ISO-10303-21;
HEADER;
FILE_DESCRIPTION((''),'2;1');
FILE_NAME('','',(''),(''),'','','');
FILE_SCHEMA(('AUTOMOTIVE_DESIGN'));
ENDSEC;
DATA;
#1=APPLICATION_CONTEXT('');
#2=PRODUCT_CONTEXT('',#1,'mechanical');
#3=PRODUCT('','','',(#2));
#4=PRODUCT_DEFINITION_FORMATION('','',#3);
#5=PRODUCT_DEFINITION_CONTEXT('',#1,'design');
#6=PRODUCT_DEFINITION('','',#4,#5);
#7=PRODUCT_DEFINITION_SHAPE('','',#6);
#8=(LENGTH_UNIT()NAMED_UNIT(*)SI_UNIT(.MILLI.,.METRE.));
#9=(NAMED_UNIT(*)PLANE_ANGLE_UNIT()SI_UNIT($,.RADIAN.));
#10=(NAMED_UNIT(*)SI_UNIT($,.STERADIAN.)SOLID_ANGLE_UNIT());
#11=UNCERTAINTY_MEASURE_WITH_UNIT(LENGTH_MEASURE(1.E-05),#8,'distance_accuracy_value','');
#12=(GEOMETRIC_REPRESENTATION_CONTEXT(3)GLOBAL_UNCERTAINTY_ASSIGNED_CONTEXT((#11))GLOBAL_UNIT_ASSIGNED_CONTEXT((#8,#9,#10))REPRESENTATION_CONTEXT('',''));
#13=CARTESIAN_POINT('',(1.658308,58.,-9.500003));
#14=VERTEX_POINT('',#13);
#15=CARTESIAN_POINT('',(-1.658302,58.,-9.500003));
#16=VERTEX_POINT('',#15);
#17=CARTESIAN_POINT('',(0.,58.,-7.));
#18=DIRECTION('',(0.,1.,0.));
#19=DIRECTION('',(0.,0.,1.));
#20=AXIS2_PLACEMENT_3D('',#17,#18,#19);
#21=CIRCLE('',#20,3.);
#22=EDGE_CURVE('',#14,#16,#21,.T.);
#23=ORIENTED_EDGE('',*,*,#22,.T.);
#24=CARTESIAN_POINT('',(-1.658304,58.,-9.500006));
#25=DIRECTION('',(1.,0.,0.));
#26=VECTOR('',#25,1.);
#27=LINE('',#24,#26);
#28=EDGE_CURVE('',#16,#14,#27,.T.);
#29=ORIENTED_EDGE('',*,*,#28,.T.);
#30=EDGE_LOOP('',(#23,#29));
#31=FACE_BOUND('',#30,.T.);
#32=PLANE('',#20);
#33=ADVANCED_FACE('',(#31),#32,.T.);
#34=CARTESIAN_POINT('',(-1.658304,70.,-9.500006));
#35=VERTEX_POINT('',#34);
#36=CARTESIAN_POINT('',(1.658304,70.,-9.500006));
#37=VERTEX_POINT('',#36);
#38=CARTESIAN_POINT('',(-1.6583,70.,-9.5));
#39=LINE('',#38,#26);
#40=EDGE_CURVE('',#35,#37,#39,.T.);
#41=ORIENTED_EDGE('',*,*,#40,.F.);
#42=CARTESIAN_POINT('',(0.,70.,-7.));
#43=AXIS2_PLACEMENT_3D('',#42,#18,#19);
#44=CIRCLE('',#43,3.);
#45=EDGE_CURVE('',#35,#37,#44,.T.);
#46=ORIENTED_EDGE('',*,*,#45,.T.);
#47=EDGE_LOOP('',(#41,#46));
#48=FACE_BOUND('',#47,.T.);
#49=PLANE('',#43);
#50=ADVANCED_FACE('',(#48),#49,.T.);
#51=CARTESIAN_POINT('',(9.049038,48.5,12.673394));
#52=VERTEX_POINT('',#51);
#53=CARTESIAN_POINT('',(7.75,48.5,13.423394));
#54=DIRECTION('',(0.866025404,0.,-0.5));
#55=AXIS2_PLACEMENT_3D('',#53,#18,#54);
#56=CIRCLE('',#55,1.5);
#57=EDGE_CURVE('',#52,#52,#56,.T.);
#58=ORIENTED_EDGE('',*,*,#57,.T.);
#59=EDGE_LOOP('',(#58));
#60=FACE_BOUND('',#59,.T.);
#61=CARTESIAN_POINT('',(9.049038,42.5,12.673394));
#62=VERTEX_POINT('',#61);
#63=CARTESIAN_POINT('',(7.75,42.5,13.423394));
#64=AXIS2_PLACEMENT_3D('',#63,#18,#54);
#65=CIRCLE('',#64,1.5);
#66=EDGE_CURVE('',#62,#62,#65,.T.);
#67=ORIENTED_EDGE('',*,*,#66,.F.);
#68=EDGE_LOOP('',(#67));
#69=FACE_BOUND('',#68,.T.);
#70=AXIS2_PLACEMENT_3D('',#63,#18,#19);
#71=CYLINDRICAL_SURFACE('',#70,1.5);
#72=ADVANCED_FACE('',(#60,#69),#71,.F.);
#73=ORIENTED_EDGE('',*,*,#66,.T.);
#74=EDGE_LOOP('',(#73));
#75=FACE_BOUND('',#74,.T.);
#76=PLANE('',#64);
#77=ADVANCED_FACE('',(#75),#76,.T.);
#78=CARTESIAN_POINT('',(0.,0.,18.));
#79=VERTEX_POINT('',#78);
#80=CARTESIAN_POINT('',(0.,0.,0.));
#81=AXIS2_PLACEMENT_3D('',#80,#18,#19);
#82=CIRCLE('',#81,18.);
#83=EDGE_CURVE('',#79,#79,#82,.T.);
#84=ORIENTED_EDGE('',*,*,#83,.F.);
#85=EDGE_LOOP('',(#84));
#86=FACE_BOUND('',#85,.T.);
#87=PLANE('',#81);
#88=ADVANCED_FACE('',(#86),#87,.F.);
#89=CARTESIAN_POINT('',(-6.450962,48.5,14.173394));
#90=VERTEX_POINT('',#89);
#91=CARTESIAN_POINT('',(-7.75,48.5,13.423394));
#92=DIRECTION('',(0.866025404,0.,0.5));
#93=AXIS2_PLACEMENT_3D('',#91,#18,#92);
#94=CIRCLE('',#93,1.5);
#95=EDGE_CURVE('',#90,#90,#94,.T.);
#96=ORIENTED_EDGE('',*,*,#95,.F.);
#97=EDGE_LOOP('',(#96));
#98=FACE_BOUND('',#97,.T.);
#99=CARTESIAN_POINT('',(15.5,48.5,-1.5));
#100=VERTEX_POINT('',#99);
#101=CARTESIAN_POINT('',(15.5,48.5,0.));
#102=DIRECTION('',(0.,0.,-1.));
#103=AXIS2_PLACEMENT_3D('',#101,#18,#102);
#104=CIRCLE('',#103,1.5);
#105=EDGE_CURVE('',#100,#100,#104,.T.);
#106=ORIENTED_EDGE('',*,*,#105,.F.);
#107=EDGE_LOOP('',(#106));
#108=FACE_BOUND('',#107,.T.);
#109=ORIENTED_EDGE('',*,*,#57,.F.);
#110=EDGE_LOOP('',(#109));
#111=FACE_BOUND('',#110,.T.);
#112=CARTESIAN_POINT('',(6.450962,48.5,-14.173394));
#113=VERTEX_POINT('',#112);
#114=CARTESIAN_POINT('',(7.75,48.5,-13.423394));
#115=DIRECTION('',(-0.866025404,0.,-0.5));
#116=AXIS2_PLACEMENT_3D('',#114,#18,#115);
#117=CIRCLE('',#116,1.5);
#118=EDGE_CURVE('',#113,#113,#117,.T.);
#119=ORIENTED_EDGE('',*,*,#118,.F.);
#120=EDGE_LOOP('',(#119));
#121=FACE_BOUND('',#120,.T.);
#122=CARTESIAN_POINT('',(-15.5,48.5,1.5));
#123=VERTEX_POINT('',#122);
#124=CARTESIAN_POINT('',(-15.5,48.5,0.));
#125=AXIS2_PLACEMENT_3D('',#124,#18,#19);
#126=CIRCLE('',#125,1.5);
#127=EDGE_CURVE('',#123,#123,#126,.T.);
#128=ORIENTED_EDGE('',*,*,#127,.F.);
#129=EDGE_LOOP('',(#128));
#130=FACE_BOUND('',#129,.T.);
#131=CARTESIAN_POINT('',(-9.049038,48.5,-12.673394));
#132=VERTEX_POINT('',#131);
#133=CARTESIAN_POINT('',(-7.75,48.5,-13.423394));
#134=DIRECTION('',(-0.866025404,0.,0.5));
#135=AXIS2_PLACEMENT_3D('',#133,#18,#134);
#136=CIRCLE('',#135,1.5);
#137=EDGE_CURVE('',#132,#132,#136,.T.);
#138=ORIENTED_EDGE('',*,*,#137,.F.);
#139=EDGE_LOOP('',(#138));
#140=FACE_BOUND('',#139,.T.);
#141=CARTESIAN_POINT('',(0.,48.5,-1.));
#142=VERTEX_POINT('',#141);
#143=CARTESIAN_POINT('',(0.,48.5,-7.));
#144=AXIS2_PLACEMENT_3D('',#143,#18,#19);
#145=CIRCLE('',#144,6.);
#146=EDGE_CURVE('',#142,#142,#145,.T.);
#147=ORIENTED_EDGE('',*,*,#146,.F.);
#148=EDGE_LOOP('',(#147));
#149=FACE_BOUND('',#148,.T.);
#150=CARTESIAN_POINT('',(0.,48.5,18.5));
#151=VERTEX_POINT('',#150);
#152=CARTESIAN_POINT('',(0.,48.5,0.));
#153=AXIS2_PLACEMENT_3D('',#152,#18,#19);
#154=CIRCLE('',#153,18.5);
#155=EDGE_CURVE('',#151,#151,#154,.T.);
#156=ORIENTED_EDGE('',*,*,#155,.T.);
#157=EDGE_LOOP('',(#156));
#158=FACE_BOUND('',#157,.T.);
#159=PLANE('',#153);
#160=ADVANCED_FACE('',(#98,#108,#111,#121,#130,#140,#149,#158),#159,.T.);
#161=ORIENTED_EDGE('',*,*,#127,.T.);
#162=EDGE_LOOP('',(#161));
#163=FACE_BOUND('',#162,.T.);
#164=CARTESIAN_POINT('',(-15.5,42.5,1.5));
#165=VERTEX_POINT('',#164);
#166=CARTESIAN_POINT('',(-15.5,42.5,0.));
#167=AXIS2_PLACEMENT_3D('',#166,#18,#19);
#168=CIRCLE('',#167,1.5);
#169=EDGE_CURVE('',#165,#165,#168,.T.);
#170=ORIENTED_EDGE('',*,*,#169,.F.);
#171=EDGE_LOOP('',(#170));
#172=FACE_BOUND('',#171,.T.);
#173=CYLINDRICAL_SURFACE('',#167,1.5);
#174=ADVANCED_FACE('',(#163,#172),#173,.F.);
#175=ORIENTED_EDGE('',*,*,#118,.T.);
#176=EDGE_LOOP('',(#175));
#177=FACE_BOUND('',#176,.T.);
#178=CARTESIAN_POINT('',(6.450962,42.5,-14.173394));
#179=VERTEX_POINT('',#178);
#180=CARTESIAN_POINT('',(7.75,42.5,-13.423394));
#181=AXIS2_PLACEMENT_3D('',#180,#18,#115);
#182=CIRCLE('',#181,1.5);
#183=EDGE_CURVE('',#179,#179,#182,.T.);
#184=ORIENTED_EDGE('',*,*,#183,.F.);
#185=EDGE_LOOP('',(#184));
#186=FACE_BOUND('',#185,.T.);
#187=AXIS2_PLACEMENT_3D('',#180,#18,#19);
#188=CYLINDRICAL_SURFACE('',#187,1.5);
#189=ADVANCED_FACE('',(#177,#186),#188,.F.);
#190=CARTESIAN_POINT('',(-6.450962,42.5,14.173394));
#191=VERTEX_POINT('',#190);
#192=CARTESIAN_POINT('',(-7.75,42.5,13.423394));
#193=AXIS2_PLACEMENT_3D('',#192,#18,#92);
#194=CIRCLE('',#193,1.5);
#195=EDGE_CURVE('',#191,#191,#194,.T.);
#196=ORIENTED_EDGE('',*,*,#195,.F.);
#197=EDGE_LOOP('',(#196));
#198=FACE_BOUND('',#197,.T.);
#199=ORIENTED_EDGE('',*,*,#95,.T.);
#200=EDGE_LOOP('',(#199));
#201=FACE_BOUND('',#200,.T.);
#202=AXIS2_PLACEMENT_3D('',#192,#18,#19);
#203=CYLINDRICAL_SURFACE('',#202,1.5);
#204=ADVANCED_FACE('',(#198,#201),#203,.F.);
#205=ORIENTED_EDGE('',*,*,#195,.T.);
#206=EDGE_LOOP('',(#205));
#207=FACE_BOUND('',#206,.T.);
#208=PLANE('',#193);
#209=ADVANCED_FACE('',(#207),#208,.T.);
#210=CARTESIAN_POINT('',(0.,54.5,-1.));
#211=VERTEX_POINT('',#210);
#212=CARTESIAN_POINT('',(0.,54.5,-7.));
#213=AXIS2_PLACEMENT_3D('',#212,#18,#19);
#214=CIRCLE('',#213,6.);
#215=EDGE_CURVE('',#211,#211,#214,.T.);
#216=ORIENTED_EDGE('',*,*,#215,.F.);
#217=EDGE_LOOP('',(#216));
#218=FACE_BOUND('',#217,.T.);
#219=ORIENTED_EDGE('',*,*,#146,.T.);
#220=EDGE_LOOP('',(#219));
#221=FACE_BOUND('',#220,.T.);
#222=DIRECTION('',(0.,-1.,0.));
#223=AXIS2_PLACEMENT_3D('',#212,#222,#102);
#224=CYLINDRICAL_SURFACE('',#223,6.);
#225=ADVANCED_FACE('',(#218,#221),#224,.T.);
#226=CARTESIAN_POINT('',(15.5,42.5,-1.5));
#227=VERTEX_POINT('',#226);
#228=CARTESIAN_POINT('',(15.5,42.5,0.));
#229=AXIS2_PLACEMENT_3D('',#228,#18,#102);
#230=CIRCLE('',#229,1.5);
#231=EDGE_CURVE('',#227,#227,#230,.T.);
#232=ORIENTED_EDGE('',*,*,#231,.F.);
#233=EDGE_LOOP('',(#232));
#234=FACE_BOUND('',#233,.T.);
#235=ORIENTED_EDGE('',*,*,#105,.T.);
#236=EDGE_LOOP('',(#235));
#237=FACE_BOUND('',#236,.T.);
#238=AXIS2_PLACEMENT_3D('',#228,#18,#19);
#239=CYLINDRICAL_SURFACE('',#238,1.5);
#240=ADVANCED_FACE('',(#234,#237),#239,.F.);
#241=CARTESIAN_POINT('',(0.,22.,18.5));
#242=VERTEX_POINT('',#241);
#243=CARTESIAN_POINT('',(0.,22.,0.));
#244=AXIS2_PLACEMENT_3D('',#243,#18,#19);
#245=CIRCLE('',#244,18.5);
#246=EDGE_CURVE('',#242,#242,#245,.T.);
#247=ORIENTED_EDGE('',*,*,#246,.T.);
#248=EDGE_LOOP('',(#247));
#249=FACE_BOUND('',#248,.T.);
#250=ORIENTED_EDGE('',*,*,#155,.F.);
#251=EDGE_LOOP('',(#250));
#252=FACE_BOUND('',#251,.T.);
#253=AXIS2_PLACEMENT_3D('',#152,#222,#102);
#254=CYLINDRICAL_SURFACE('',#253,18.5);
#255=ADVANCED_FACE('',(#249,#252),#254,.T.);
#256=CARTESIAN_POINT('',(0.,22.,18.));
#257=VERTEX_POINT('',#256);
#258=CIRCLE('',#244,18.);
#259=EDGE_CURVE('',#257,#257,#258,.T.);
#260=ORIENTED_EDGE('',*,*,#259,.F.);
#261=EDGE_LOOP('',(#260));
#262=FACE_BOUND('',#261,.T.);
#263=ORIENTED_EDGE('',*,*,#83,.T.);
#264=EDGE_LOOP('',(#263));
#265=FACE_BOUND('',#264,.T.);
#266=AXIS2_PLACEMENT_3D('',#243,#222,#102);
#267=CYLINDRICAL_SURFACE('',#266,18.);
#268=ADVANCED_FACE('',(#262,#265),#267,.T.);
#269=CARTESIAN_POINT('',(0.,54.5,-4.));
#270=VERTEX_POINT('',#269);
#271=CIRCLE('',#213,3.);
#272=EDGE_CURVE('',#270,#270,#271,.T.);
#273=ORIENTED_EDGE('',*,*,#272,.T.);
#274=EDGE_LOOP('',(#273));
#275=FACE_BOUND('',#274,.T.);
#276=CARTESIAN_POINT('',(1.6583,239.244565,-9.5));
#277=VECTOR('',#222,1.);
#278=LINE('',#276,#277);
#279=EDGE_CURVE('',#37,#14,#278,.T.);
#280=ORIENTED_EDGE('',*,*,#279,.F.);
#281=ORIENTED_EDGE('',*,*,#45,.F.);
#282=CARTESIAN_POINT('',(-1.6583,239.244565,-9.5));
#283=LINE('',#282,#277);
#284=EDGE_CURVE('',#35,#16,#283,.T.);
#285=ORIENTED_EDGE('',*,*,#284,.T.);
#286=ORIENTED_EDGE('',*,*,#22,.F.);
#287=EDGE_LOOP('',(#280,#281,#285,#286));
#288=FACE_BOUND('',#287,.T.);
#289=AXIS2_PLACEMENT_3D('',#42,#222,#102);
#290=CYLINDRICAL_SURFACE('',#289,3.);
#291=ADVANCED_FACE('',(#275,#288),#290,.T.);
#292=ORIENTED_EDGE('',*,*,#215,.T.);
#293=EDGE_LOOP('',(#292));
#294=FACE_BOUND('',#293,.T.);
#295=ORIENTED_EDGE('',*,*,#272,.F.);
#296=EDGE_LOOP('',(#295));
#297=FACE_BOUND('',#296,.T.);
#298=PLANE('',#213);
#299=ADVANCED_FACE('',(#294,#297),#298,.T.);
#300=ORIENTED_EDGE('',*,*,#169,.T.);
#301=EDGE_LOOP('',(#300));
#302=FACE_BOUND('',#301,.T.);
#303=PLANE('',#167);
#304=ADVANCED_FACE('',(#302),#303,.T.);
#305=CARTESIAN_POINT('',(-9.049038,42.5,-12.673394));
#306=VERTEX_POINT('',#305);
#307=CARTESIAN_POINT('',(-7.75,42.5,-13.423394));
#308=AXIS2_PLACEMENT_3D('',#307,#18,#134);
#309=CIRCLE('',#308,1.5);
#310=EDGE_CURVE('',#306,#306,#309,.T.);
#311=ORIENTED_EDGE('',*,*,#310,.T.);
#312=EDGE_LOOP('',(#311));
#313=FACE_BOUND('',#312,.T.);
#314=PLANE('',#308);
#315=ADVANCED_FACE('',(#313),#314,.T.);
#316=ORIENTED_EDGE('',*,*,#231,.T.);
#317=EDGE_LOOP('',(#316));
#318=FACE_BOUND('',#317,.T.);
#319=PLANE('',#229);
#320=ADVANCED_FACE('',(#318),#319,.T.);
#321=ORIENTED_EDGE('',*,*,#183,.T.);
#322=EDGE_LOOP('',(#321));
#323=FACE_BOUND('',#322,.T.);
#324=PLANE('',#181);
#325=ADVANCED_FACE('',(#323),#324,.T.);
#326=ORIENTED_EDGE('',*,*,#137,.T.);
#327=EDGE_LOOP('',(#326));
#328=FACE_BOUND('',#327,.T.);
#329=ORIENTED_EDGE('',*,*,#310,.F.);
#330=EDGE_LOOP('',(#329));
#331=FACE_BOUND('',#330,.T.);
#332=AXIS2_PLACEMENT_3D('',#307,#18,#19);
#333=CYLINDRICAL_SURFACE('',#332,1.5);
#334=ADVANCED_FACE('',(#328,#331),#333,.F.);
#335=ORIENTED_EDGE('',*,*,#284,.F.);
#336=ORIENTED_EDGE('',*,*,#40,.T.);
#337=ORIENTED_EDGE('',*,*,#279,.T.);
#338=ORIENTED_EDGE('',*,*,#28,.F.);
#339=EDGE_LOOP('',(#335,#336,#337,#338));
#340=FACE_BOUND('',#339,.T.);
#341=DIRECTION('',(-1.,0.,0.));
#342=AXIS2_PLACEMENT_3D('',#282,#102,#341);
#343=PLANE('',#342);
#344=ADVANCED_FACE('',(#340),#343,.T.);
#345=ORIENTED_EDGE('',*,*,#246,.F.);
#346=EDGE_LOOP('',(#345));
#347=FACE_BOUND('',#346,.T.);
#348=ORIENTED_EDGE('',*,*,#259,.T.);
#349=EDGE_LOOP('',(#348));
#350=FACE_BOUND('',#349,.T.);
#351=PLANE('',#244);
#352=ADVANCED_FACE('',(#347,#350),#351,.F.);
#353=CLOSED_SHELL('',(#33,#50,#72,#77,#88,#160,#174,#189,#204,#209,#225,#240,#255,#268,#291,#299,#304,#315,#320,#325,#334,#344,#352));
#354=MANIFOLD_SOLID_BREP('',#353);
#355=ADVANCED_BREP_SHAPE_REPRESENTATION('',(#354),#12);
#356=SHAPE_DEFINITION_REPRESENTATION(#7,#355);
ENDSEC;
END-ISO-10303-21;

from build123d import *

# Parameters (mm, degrees)
SKETCH2_R               = 18
BOSS_EXTRUDE1_DEPTH     = 22
SKETCH3_R               = 18.5
BOSS_EXTRUDE2_DEPTH     = 26.5
SKETCH4_R               = 1.5
CUT_EXTRUDE1_DEPTH      = 6
CIRPATTERN1_COUNT       = 6
SKETCH5_R               = 6
BOSS_EXTRUDE3_DEPTH     = 6
SKETCH6_R               = 3
BOSS_EXTRUDE4_DEPTH     = 15.5
CUT_EXTRUDE2_DEPTH      = 1
CUT_EXTRUDE2_DEPTH_BACK = 12


with BuildPart() as part:
    # Sketch2 → Boss-Extrude1 (new body)
    with BuildSketch(Plane(origin=(0, 0, 0), x_dir=(1, 0, 0), z_dir=(0, 1, 0))):
        Circle(SKETCH2_R)
    extrude(amount=BOSS_EXTRUDE1_DEPTH)

    # Sketch3 → Boss-Extrude2 (add)
    with BuildSketch(Plane(origin=(0, 22, 0), x_dir=(1, 0, 0), z_dir=(0, 1, 0))):
        Circle(SKETCH3_R)
    extrude(amount=BOSS_EXTRUDE2_DEPTH)

    # Sketch4 → Cut-Extrude1 (cut)
    with BuildSketch(Plane(origin=(0, 48.5, 0), x_dir=(1, 0, 0), z_dir=(0, 1, 0))):
        with Locations((-15.5, 0)):
            Circle(SKETCH4_R)
    cut_extrude1 = extrude(amount=-CUT_EXTRUDE1_DEPTH, mode=Mode.SUBTRACT)

    # CirPattern1: Cut-Extrude1 ×6 about axis
    cirpattern1_axis = Axis((0, 0, 0), (0, 1, 0))
    for i in range(1, CIRPATTERN1_COUNT):
        add(cut_extrude1.rotate(cirpattern1_axis, i * 360 / CIRPATTERN1_COUNT), mode=Mode.SUBTRACT)

    # Sketch5 → Boss-Extrude3 (add)
    with BuildSketch(Plane(origin=(0, 48.5, 0), x_dir=(1, 0, 0), z_dir=(0, 1, 0))):
        with Locations((0, 7)):
            Circle(SKETCH5_R)
    extrude(amount=BOSS_EXTRUDE3_DEPTH)

    # Sketch6 → Boss-Extrude4 (add)
    with BuildSketch(Plane(origin=(0, 54.5, 0), x_dir=(1, 0, 0), z_dir=(0, 1, 0))):
        with Locations((0, 7)):
            Circle(SKETCH6_R)
    extrude(amount=BOSS_EXTRUDE4_DEPTH)

    # Sketch7 → Cut-Extrude2 (cut, two sides)
    with BuildSketch(Plane(origin=(0, 70, 0), x_dir=(1, 0, 0), z_dir=(0, 1, 0))) as cut_extrude2_sk:
        Polygon((-80.661403086, 9.5), (-1.6583, 9.5), (1.6583, 9.5), (80.661403086, 9.5), (80.661403086, 167.506206173), (-80.661403086, 167.506206173), align=None)
    extrude(amount=CUT_EXTRUDE2_DEPTH, mode=Mode.SUBTRACT)
    extrude(cut_extrude2_sk.sketch, amount=-CUT_EXTRUDE2_DEPTH_BACK, mode=Mode.SUBTRACT)


solid = part.part
